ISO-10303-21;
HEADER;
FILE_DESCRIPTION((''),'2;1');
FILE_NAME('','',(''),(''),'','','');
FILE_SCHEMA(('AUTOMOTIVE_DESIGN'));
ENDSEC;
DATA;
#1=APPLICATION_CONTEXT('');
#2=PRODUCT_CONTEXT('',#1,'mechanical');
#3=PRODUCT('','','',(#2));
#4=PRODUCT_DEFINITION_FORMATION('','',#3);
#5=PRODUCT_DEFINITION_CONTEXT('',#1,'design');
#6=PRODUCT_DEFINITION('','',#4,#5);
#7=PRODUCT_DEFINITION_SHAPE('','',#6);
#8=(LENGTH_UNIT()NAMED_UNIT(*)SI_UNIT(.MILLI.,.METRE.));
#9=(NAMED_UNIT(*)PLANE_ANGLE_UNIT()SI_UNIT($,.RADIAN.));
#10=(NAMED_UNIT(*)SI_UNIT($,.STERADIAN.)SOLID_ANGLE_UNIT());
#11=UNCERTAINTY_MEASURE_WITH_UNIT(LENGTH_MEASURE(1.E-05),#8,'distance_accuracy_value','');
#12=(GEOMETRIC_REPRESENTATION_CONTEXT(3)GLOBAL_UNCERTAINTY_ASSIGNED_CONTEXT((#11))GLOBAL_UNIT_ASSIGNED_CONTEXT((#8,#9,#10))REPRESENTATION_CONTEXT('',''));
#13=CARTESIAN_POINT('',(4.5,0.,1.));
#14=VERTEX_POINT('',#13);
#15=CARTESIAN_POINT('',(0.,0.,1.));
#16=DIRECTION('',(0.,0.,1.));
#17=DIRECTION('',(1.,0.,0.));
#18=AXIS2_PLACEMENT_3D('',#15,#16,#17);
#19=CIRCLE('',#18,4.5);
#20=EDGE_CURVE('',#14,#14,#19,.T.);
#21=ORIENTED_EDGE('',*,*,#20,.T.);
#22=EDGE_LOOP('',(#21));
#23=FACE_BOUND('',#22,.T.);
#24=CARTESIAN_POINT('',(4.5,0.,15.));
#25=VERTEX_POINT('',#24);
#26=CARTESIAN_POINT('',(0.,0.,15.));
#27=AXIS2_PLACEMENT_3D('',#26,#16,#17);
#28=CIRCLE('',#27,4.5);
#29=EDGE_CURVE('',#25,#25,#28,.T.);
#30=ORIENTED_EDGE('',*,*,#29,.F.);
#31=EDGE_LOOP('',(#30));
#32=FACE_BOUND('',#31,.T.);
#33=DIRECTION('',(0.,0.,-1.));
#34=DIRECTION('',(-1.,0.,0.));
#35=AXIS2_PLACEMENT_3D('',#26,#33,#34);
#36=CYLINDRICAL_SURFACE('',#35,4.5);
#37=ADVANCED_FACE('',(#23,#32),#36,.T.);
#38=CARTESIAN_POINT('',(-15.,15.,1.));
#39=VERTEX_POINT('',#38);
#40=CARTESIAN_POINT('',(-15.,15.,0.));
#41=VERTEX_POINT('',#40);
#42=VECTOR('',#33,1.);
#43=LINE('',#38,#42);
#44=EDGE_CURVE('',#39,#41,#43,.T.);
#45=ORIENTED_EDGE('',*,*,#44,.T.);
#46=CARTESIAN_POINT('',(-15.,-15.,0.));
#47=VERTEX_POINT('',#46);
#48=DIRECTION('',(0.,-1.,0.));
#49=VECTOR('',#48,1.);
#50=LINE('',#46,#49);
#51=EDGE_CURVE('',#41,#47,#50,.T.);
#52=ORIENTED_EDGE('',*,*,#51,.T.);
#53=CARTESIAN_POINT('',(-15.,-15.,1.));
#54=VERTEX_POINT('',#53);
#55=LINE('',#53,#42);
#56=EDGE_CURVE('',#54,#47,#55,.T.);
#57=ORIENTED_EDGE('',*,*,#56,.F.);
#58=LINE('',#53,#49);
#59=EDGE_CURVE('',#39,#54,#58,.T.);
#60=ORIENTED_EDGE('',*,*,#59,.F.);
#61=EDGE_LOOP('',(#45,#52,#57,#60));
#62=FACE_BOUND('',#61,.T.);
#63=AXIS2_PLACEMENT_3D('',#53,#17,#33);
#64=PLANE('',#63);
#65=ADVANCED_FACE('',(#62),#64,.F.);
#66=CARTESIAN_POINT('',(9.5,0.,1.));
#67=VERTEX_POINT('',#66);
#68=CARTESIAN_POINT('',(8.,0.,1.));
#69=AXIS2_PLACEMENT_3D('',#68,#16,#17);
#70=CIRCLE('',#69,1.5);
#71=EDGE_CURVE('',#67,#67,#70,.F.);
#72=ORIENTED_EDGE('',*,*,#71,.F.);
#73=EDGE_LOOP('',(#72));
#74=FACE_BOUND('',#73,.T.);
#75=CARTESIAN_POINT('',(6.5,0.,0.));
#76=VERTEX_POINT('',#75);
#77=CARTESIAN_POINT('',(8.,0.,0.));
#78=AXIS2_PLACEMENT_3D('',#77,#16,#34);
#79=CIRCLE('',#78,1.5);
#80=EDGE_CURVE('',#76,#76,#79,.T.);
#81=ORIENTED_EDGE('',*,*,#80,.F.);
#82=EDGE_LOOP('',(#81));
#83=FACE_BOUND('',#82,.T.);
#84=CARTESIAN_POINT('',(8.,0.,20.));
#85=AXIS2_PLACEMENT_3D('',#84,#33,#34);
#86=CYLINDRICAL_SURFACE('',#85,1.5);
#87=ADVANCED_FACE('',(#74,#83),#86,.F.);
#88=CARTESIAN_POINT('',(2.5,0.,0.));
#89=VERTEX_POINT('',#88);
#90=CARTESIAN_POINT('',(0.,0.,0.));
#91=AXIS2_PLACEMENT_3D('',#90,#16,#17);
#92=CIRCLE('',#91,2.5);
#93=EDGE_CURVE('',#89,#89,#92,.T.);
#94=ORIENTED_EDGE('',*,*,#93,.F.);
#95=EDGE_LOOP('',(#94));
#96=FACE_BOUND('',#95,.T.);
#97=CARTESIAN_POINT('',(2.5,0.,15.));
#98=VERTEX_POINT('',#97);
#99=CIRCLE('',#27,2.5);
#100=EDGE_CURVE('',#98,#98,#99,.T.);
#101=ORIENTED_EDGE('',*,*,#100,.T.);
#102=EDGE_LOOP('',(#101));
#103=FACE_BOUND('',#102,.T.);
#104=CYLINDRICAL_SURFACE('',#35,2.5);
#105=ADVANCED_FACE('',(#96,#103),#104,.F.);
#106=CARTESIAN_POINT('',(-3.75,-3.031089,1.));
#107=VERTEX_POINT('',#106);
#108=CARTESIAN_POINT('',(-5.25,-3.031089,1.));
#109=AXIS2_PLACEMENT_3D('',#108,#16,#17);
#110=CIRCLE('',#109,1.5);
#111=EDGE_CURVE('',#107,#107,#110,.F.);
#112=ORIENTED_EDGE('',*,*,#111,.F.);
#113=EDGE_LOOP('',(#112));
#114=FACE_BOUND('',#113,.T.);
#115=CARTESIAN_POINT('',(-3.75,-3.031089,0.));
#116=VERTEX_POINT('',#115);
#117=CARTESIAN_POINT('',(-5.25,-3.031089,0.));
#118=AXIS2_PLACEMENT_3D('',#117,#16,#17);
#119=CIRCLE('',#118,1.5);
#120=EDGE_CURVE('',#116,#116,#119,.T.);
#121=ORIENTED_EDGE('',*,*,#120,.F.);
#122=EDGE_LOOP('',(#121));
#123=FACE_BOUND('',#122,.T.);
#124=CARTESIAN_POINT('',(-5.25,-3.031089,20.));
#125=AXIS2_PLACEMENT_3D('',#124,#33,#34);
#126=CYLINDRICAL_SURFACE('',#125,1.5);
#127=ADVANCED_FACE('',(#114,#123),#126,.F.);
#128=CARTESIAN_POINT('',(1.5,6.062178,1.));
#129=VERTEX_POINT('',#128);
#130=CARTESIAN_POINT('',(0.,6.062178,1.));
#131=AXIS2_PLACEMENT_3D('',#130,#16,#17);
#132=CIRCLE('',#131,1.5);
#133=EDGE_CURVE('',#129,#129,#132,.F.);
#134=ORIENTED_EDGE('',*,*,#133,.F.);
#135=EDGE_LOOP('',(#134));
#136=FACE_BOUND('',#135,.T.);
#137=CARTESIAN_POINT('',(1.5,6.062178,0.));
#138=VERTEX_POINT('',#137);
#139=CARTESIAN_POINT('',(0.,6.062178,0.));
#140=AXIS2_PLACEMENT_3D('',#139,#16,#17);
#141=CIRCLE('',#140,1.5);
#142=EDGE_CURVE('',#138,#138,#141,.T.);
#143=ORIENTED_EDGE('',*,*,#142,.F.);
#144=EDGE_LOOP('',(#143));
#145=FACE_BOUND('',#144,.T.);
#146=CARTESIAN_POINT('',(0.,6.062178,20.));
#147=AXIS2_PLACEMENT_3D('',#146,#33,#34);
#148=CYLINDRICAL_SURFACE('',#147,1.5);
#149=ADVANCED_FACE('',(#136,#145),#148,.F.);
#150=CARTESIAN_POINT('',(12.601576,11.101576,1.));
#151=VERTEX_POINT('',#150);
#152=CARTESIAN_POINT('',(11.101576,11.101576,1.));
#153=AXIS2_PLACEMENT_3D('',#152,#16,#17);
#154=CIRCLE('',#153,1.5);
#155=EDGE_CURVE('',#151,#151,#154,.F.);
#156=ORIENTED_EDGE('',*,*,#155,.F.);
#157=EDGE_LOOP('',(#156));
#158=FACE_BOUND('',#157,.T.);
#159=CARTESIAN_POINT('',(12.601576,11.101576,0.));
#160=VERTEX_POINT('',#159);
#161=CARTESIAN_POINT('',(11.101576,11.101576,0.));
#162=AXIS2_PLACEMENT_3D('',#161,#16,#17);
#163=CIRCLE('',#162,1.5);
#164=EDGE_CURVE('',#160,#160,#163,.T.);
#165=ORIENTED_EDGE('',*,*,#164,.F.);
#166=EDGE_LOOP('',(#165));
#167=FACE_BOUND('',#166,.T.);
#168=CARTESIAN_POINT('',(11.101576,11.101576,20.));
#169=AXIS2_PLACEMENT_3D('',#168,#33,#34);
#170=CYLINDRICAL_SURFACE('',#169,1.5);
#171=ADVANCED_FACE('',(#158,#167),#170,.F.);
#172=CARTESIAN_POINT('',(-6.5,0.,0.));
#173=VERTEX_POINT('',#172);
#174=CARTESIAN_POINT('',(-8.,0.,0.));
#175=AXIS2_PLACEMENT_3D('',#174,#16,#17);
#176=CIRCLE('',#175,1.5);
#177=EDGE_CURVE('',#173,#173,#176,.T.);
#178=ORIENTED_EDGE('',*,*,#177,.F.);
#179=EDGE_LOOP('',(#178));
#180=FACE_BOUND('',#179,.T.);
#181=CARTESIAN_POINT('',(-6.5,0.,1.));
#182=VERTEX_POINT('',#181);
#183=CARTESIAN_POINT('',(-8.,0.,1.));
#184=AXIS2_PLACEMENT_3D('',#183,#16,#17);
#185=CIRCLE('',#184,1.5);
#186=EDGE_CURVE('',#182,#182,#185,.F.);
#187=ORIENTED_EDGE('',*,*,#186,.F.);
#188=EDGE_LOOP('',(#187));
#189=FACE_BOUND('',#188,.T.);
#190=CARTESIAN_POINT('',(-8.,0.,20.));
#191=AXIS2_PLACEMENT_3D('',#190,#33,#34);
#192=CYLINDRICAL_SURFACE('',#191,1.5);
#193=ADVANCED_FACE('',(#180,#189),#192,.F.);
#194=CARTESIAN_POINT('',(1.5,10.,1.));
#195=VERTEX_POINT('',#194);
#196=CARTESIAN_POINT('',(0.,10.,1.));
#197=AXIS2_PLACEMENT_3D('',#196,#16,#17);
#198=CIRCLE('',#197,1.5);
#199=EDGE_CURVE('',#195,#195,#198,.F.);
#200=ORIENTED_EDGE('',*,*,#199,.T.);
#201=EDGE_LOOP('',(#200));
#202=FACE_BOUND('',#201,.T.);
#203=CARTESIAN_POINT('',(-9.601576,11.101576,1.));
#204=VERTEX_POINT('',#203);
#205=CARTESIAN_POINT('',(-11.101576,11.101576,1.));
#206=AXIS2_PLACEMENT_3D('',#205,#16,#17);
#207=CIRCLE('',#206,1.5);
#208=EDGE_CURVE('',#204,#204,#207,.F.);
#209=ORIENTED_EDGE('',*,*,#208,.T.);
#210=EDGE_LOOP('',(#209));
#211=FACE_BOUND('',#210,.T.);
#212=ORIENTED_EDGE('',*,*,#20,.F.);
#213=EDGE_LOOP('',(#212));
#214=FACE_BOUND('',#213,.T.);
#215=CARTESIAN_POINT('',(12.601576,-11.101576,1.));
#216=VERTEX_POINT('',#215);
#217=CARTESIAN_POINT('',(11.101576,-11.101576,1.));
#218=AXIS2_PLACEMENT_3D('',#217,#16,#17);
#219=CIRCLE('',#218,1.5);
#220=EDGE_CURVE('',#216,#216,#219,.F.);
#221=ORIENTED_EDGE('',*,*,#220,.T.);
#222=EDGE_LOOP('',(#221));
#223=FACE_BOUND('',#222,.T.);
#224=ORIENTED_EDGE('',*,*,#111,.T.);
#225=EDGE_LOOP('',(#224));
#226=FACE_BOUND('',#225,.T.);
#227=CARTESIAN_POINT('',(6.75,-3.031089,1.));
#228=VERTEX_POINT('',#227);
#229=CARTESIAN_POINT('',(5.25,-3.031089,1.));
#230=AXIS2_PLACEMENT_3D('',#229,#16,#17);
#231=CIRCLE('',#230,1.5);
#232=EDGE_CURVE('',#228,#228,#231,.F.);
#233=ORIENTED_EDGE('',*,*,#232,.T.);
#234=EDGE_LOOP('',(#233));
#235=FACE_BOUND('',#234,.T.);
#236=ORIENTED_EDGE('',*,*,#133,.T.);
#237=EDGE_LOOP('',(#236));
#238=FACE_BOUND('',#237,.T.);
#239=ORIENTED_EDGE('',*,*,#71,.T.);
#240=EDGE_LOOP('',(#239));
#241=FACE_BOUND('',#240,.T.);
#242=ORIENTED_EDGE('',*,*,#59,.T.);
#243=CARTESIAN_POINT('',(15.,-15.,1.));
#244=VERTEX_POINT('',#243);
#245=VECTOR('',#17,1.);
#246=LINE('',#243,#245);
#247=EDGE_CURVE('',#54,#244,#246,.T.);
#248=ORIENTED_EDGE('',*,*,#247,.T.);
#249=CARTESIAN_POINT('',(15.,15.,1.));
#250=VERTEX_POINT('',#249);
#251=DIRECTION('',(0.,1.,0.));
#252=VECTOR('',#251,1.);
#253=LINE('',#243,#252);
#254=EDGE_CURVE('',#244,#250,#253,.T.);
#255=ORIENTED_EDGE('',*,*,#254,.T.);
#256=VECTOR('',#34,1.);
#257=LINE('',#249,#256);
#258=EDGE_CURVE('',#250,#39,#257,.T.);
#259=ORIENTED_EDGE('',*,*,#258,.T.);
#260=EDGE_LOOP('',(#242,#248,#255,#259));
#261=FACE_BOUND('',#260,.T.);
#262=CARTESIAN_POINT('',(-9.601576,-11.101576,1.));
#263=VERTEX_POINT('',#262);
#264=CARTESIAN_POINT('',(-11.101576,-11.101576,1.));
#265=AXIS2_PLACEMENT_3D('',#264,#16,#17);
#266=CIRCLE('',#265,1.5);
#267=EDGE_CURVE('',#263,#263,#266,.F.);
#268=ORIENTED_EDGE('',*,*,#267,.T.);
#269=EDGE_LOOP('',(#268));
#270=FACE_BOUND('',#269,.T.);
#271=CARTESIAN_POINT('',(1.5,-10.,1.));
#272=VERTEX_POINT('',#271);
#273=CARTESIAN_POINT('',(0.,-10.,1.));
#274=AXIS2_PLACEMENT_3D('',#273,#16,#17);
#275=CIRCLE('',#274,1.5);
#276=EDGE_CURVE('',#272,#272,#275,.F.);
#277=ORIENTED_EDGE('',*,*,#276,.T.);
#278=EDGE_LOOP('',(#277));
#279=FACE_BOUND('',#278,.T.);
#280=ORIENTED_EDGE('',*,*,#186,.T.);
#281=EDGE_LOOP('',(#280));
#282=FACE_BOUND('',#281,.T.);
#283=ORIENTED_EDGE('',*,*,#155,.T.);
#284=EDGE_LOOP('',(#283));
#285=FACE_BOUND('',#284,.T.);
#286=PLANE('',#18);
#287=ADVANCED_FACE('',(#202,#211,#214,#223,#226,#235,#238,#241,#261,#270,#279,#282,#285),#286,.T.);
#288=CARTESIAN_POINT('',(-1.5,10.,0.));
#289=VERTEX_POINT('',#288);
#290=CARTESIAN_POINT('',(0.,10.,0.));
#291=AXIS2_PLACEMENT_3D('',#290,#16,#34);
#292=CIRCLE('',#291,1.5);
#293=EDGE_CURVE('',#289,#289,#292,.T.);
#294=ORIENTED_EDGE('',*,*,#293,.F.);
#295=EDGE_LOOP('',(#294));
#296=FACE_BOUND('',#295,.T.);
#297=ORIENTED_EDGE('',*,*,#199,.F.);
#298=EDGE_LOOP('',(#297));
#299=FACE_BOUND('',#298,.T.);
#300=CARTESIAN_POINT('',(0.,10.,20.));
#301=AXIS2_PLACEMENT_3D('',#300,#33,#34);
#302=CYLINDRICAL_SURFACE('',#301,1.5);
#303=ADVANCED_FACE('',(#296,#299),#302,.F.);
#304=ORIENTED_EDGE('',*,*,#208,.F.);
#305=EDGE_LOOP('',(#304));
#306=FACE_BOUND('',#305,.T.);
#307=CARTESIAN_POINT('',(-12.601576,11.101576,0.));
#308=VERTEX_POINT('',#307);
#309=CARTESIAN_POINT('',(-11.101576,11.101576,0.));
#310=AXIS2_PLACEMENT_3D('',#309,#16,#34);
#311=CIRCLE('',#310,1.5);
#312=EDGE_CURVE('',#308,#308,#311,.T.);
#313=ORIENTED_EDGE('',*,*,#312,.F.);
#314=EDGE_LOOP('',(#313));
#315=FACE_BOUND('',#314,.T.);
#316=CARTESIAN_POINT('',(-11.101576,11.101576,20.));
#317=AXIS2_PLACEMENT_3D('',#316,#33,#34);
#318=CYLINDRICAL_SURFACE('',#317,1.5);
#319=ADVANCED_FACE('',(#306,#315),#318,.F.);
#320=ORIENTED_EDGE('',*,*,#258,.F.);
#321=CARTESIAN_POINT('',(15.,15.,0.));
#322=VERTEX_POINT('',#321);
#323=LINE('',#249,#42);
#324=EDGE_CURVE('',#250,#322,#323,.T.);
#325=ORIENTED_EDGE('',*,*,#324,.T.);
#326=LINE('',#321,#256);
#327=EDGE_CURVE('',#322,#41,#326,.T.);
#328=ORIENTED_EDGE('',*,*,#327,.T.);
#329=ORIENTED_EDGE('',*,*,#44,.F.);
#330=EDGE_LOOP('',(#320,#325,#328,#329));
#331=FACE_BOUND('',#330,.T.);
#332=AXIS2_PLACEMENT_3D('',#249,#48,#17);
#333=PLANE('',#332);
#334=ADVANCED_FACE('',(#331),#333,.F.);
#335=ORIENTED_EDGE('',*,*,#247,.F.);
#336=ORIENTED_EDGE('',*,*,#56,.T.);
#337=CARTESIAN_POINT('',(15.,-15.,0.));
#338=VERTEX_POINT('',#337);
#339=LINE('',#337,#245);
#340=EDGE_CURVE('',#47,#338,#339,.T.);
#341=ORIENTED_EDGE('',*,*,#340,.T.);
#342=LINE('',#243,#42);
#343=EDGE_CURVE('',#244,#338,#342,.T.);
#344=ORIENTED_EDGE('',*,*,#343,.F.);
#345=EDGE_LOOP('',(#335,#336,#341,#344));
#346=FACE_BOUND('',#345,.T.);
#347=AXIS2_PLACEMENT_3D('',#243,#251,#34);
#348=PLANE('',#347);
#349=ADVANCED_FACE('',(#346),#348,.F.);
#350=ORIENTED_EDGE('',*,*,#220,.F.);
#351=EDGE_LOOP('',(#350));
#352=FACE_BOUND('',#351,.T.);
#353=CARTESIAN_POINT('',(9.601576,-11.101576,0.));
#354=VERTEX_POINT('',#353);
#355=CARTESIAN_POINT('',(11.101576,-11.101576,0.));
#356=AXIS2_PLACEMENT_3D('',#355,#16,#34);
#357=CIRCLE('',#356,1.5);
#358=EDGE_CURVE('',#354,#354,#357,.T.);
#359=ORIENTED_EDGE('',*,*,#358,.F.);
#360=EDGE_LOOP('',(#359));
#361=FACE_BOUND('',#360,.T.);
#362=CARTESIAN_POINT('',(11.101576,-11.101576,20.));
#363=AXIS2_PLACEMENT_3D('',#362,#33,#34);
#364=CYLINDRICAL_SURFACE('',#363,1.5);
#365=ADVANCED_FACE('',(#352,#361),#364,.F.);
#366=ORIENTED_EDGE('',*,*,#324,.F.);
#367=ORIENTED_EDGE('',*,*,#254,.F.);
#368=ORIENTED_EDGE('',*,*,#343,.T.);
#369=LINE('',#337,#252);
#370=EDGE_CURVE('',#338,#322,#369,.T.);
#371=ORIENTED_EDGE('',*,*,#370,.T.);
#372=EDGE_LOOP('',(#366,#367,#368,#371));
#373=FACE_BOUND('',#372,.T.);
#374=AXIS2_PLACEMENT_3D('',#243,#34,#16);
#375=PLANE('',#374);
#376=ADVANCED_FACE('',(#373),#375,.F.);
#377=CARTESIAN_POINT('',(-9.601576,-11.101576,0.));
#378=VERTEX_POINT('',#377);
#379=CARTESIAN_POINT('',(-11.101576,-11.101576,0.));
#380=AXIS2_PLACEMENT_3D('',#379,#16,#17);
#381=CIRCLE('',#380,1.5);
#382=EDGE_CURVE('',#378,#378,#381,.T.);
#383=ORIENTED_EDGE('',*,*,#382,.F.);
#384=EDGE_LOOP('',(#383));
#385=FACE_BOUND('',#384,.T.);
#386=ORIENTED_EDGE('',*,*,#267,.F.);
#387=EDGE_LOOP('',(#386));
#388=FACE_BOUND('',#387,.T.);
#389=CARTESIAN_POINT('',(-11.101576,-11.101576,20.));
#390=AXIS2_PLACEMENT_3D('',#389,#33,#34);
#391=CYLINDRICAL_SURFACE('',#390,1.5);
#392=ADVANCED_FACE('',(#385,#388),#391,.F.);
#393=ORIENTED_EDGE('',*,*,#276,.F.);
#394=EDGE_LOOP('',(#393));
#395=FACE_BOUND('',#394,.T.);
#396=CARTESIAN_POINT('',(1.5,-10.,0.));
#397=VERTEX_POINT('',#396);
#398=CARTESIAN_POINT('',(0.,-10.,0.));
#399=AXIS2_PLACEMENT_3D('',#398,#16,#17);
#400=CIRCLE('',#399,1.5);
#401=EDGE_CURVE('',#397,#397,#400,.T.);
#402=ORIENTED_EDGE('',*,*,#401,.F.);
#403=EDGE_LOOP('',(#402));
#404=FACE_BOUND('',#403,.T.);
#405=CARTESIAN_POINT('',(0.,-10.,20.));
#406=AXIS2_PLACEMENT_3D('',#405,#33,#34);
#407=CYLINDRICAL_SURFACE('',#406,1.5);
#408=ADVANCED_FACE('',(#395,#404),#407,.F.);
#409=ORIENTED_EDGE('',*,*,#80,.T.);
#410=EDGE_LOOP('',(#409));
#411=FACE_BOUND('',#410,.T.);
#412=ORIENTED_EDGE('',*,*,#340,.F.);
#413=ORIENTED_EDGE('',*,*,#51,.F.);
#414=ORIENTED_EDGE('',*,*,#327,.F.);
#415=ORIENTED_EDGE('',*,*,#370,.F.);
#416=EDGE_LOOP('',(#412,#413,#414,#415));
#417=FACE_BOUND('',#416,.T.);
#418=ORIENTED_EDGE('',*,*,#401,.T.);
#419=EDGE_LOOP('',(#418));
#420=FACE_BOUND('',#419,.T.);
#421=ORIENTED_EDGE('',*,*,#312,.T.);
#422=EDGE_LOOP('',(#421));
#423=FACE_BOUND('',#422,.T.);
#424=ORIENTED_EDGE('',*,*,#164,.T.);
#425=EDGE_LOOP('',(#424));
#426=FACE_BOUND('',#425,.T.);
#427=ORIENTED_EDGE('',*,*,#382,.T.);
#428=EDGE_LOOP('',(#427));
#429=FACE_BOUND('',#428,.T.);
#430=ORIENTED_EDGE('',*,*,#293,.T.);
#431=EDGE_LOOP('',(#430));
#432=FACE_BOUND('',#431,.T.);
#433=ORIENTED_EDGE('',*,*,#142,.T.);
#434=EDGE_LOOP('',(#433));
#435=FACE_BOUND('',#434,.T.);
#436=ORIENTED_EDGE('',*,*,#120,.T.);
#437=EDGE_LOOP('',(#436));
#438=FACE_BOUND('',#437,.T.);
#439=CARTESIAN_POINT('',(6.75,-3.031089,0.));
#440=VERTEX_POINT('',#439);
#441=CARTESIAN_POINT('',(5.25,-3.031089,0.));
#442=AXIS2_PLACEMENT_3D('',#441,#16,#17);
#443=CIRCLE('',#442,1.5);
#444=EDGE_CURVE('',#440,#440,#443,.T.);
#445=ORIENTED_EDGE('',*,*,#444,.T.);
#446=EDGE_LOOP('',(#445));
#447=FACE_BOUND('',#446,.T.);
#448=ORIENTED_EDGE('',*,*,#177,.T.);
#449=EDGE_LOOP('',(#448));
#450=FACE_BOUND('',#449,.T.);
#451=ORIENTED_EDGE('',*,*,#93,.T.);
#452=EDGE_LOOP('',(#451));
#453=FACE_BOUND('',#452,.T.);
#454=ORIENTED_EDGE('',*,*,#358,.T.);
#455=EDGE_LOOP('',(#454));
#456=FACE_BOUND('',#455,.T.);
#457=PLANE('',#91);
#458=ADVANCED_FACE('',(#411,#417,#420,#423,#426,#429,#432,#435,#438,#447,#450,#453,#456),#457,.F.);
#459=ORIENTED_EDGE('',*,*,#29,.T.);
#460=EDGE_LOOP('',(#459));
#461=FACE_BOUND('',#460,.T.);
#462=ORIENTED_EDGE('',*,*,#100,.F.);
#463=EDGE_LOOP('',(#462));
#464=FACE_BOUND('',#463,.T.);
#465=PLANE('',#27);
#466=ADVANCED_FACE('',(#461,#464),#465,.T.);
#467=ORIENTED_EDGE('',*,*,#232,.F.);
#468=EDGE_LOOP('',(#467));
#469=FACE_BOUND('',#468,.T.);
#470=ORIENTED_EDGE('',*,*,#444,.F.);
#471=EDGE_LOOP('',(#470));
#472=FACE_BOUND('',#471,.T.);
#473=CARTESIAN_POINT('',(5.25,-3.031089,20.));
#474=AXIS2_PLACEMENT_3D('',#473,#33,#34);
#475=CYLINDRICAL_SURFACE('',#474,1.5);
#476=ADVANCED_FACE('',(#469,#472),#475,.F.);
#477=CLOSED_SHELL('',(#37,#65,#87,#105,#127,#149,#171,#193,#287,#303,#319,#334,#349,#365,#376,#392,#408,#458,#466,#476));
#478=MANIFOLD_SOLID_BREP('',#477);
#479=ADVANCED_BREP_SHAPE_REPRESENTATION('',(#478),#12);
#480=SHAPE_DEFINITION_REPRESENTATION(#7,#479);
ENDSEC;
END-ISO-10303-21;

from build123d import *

# Parameters (mm, degrees)
SKETCH2_R           = 4.5
SKETCH2_R_2         = 2.5
BOSS_EXTRUDE4_DEPTH = 15
SKETCH3_W           = 30
SKETCH3_H           = 30
BOSS_EXTRUDE5_DEPTH = 1
SKETCH6_R           = 1.5
SKETCH6_R_2         = 2.5
CUT_EXTRUDE4_DEPTH  = 20


with BuildPart() as part:
    # Sketch2 → Boss-Extrude4 (new body)
    with BuildSketch(Plane.XY):
        Circle(SKETCH2_R)
        Circle(SKETCH2_R_2, mode=Mode.SUBTRACT)
    extrude(amount=BOSS_EXTRUDE4_DEPTH)

    # Sketch3 → Boss-Extrude5 (add)
    with BuildSketch(Plane.XY):
        Rectangle(SKETCH3_W, SKETCH3_H)
    extrude(amount=BOSS_EXTRUDE5_DEPTH)

    # Sketch6 → Cut-Extrude4 (cut)
    with BuildSketch(Plane.XY):
        with Locations((-11.101576465, -11.101576465)):
            Circle(SKETCH6_R)
        with Locations(Location((11.101576465, -11.101576465, 0), (0, 0, 180))):
            Circle(SKETCH6_R)
        with Locations((11.101576465, 11.101576465)):
            Circle(SKETCH6_R)
        with Locations(Location((-11.101576465, 11.101576465, 0), (0, 0, 180))):
            Circle(SKETCH6_R)
        with Locations((0, -10)):
            Circle(SKETCH6_R)
        with Locations(Location((0, 10, 0), (0, 0, 180))):
            Circle(SKETCH6_R)
        with Locations((-8, 0)):
            Circle(SKETCH6_R)
        with Locations(Location((8, 0, 0), (0, 0, 180))):
            Circle(SKETCH6_R)
        with Locations((0, 6.062177826)):
            Circle(SKETCH6_R)
        with Locations((5.25, -3.031088913)):
            Circle(SKETCH6_R)
        with Locations((-5.25, -3.031088913)):
            Circle(SKETCH6_R)
        Circle(SKETCH6_R_2)
    extrude(amount=CUT_EXTRUDE4_DEPTH, mode=Mode.SUBTRACT)


solid = part.part
